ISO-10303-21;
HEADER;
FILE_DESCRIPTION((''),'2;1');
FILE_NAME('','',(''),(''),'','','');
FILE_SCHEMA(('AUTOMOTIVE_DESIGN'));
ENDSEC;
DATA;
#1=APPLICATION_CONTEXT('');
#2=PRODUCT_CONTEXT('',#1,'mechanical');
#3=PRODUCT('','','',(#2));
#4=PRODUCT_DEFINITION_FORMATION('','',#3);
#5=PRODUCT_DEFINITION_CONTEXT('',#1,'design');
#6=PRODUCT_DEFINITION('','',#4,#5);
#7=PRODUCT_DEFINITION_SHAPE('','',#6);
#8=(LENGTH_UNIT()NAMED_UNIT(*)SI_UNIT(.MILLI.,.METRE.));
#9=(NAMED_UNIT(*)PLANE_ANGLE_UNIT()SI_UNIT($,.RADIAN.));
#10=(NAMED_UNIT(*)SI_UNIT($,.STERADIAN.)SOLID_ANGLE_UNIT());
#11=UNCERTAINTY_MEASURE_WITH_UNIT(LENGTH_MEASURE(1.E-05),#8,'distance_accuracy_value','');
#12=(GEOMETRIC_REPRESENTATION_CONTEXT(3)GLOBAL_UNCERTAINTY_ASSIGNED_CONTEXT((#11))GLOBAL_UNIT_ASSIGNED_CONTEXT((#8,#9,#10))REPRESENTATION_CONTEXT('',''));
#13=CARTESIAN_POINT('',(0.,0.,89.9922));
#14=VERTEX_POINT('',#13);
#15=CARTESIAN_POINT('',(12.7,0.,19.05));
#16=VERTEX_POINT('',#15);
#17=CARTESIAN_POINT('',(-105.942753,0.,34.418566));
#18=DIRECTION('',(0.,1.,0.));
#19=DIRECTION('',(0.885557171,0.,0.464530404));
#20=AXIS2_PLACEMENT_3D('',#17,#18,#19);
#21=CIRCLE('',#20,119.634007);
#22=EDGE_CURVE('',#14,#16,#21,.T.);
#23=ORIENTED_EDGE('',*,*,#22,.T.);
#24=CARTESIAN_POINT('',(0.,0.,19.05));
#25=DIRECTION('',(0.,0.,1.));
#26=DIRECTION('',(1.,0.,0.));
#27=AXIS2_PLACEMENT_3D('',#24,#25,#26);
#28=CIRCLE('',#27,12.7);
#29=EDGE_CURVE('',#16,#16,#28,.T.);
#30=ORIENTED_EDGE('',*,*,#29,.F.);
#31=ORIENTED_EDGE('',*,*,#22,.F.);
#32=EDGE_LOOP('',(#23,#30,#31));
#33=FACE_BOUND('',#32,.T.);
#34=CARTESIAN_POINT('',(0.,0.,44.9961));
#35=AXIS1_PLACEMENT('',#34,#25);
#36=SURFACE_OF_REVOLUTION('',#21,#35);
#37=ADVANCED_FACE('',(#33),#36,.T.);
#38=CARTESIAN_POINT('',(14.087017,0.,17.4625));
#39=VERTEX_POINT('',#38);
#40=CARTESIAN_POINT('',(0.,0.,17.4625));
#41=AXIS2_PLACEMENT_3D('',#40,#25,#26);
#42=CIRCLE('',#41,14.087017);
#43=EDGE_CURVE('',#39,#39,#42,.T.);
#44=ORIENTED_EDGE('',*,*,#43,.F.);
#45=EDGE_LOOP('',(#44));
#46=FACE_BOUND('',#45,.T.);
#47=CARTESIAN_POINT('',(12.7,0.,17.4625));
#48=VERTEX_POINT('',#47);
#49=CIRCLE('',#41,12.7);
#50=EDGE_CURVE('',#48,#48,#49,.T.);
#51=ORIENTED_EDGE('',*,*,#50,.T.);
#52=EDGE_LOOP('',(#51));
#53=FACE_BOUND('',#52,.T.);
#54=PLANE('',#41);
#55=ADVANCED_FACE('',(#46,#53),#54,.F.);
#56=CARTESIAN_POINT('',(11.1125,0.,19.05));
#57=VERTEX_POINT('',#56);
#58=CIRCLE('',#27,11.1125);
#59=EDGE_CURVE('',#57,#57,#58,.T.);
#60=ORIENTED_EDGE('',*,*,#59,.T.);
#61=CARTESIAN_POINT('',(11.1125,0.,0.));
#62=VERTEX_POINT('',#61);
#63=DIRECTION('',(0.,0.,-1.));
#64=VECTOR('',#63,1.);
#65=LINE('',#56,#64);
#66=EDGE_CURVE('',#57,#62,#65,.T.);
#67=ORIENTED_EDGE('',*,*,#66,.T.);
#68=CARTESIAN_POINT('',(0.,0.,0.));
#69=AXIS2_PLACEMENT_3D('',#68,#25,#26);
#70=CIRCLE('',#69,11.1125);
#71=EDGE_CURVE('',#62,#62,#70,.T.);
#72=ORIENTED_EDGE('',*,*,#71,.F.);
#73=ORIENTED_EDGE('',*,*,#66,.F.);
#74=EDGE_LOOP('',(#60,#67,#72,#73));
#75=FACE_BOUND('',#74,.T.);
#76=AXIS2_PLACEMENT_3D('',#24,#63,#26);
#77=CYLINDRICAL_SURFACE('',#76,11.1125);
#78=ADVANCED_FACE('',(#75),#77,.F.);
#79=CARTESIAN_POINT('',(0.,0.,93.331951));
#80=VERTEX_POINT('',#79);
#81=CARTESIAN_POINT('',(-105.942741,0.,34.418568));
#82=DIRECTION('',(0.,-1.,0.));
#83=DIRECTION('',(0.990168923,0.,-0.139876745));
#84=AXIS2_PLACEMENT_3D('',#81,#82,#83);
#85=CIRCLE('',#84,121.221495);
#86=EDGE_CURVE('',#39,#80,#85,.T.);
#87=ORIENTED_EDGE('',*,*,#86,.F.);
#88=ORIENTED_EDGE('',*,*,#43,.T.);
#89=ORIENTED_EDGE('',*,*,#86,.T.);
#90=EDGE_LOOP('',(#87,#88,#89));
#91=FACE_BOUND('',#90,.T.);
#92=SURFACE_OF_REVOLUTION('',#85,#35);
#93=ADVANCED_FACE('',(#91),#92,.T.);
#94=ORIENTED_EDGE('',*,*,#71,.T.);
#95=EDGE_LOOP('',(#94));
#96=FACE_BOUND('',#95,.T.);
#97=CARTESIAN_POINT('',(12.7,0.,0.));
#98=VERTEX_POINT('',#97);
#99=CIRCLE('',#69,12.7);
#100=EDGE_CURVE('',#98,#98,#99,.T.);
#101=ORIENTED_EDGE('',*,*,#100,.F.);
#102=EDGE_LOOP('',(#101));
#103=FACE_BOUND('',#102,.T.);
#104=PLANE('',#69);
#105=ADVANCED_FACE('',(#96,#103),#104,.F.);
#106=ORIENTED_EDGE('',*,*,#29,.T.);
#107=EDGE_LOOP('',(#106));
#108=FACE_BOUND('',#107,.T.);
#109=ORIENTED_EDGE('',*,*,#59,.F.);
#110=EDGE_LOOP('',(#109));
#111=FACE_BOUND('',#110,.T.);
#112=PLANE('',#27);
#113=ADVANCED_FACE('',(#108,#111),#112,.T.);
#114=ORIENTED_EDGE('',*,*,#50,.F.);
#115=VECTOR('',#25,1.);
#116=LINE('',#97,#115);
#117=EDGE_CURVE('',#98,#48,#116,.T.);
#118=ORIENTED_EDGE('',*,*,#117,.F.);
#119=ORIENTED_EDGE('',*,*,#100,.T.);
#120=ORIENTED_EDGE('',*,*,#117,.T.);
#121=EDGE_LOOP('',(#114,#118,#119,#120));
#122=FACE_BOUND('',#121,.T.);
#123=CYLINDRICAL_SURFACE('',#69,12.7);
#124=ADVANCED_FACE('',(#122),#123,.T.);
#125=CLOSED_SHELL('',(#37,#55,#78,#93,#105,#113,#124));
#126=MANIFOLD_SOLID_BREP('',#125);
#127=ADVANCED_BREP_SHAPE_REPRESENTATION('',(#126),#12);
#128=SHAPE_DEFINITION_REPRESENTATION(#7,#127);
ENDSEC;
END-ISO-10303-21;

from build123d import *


with BuildPart() as f1:
    # F0 (on Front) → F1 (revolve)
    with BuildSketch(Plane.XZ):
        with BuildLine():
            Line((11.1125, 19.05), (11.1125, 0))
            Line((11.1125, 0), (12.7, 0))
            Line((12.7, 0), (12.7, 17.4625))
            Line((12.7, 17.4625), (14.087017, 17.4625))
            ThreePointArc((14.087017, 17.4625), (13.241721, 56.548075), (0, 93.331951))
            Line((0, 93.331951), (0, 89.9922))
            ThreePointArc((0, 89.9922), (11.819131, 55.500178), (12.7, 19.05))
            Line((12.7, 19.05), (11.1125, 19.05))
        make_face()
    revolve(axis=Axis((0, 0, 44.9961), (0, 0, 1)))


solid = f1.part
